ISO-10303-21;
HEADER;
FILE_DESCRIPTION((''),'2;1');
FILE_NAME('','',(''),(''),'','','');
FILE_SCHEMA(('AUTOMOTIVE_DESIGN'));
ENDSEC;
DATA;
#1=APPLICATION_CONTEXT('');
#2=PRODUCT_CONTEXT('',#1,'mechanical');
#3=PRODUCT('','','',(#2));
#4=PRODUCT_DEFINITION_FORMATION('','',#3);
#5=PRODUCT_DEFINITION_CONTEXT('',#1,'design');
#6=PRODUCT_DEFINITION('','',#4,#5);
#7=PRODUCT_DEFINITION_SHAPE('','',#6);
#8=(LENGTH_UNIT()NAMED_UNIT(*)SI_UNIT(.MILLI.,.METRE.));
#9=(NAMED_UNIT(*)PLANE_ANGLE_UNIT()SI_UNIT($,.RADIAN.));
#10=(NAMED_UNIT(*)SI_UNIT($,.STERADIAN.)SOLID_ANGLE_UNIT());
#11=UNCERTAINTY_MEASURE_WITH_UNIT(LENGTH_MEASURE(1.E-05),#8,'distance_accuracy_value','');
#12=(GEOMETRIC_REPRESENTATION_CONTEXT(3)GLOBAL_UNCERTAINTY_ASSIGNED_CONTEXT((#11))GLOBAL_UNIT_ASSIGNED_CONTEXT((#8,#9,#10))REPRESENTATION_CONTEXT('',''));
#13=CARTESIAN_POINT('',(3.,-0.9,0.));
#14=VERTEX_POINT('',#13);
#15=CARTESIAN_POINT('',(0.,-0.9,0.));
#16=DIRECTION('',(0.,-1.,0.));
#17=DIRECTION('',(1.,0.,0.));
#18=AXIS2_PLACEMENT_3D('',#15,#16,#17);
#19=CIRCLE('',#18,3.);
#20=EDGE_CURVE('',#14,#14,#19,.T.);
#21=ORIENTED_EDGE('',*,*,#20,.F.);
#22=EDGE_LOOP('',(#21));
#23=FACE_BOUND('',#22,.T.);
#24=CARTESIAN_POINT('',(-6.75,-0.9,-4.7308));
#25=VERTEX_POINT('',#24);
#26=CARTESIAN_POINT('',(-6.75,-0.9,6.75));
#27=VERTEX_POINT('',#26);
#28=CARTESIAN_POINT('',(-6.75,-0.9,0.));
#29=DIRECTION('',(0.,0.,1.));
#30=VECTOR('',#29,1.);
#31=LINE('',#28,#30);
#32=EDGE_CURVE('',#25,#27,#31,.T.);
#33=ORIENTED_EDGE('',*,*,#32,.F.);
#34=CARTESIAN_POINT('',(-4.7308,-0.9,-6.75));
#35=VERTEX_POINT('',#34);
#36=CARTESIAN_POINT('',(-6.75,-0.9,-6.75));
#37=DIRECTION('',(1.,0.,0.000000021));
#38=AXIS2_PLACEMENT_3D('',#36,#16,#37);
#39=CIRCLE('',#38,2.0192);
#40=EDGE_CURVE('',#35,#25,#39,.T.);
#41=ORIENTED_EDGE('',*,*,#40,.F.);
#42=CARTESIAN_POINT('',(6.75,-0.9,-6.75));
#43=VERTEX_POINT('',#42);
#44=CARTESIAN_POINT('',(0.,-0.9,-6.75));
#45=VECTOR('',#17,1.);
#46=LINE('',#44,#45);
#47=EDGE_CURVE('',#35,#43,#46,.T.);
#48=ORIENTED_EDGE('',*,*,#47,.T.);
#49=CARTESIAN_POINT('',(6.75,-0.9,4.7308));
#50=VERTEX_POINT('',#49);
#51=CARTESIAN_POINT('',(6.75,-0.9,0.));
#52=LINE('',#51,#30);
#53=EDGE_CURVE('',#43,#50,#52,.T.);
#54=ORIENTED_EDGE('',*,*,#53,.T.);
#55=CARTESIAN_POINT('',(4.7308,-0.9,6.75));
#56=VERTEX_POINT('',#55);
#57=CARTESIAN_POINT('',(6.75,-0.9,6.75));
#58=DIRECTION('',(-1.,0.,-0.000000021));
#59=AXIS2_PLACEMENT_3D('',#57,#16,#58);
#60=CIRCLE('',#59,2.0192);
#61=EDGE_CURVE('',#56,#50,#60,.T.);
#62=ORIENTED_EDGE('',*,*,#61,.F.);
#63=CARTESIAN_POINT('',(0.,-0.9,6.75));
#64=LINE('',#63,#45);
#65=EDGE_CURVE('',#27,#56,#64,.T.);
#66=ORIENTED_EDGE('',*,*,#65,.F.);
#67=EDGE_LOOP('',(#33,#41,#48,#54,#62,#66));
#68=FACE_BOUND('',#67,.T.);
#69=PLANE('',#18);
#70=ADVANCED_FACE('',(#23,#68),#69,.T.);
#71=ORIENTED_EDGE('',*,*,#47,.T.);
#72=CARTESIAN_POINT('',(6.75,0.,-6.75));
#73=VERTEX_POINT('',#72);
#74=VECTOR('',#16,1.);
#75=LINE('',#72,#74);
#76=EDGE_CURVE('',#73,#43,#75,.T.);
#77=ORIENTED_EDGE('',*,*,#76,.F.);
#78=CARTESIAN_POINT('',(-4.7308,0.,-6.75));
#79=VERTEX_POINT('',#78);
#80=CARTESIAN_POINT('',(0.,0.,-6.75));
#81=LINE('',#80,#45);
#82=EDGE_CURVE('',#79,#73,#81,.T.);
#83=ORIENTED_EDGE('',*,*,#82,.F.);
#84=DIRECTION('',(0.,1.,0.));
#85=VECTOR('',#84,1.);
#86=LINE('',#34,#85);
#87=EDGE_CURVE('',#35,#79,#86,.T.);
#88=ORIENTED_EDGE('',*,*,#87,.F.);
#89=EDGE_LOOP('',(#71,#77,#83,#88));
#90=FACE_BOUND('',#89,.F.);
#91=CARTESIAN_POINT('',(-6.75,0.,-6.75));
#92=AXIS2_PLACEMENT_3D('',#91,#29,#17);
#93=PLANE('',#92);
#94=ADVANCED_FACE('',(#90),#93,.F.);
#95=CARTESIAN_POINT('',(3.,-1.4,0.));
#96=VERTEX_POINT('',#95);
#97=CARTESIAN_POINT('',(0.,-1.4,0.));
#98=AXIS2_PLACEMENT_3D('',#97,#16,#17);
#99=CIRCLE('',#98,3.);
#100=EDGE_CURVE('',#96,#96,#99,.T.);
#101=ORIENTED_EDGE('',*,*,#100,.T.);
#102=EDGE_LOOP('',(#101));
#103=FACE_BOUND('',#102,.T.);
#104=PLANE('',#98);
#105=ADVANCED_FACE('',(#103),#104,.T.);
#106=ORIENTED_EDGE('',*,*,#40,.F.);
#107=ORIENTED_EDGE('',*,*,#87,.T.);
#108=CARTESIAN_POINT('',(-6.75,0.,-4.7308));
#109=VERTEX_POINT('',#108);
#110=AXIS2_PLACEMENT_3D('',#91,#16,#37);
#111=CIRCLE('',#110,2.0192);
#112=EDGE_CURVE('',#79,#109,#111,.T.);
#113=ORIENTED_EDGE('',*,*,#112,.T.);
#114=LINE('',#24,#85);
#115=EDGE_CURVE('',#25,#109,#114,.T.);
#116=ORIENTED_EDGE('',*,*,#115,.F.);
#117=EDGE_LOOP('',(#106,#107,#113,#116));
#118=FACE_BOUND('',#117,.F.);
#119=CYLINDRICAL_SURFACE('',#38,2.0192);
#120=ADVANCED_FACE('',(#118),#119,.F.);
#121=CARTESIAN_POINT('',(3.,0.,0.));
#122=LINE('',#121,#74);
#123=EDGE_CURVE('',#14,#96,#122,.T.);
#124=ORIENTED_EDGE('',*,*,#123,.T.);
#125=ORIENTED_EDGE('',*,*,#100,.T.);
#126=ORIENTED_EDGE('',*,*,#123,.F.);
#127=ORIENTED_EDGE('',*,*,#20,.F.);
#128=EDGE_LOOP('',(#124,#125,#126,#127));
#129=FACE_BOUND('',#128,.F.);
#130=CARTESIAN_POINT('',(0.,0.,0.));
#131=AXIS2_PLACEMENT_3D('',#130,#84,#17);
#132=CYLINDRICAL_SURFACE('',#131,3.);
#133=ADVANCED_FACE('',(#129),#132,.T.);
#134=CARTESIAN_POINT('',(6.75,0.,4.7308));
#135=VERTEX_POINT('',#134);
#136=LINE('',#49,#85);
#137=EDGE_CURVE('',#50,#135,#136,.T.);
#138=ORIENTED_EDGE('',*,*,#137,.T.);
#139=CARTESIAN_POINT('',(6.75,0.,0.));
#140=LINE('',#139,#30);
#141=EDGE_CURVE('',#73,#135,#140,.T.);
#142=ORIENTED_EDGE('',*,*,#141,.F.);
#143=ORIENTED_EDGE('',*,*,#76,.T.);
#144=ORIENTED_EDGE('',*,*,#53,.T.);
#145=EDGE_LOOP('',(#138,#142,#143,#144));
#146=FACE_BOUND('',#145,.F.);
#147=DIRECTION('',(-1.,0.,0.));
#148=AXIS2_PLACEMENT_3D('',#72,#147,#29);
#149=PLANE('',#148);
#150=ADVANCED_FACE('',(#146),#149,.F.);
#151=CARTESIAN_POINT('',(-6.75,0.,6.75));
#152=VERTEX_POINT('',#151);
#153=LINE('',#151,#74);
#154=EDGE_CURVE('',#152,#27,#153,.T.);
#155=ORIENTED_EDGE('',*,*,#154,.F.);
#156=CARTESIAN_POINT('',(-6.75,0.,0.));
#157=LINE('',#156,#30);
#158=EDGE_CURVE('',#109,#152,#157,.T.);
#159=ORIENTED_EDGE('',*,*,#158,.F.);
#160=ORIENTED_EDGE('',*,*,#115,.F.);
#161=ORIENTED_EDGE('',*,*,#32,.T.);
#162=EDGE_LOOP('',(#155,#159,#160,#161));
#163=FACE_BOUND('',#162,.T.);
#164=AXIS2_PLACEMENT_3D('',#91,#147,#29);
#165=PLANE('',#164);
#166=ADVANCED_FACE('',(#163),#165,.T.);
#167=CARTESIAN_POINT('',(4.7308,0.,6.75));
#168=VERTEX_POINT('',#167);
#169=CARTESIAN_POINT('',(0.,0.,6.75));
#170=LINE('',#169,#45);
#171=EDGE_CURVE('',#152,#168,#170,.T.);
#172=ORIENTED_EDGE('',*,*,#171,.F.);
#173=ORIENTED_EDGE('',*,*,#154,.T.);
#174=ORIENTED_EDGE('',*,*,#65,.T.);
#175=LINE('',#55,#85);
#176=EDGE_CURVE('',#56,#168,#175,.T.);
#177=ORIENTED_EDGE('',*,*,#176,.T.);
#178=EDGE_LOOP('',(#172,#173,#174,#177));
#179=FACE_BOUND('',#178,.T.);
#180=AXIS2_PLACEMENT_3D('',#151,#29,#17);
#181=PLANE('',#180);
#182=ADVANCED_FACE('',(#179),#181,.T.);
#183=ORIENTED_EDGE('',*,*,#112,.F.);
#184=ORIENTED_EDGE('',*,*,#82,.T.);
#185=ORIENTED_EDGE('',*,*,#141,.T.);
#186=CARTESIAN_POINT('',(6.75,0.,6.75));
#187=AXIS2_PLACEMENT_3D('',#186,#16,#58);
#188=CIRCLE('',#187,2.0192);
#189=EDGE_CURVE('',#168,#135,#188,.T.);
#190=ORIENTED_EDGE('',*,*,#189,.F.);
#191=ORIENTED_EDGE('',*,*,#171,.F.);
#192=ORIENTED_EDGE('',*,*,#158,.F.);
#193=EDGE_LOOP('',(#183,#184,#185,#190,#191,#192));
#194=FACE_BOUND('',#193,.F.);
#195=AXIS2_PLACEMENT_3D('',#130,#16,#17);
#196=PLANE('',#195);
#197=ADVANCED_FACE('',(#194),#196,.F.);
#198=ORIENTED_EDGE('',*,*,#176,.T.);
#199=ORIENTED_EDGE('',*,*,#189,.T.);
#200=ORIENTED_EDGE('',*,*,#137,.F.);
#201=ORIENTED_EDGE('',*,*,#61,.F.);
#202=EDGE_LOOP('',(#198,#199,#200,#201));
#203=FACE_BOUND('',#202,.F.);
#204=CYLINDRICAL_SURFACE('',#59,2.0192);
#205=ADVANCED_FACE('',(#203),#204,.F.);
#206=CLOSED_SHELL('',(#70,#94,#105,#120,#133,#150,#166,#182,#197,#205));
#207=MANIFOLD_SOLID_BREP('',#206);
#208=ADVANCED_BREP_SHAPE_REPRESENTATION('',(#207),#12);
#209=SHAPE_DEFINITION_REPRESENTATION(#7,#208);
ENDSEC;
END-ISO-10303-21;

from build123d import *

# Parameters (mm, degrees)
F0_R     = 3
F1_DEPTH = 1.4
F0_W     = 13.5
F0_H     = 13.5
F2_DEPTH = 0.9
F4_DEPTH = 25


with BuildPart() as f1:
    # F0 (on Front) → F1 (new body)
    with BuildSketch(Plane.XZ):
        Circle(F0_R)
    extrude(amount=F1_DEPTH)

    # F0 (on Front) → F2 (join)
    with BuildSketch(Plane.XZ):
        Rectangle(F0_W, F0_H)
        Circle(F0_R, mode=Mode.SUBTRACT)
    extrude(amount=F2_DEPTH)

    # F3 (on face) → F4 (cut)
    with BuildSketch(Plane.XZ.offset(0.9)):
        with BuildLine():
            Line((6.75, 6.75), (4.7308, 6.75))
            ThreePointArc((4.7308, 6.75), (5.32221, 5.32221), (6.75, 4.7308))
            Line((6.75, 4.7308), (6.75, 6.75))
        make_face()
        with BuildLine():
            ThreePointArc((6.75, 4.7308), (8.17779, 5.32221), (8.7692, 6.75))
            ThreePointArc((8.7692, 6.75), (6.75, 8.7692), (4.7308, 6.75))
            Line((4.7308, 6.75), (6.75, 6.75))
            Line((6.75, 6.75), (6.75, 4.7308))
        make_face()
        with BuildLine():
            Line((-6.75, -6.75), (-6.75, -4.7308))
            ThreePointArc((-6.75, -4.7308), (-8.17779, -8.17779), (-4.7308, -6.75))
            Line((-4.7308, -6.75), (-6.75, -6.75))
        make_face()
        with BuildLine():
            ThreePointArc((-4.7308, -6.75), (-5.32221, -5.32221), (-6.75, -4.7308))
            Line((-6.75, -4.7308), (-6.75, -6.75))
            Line((-6.75, -6.75), (-4.7308, -6.75))
        make_face()
    extrude(amount=-F4_DEPTH, mode=Mode.SUBTRACT)


solid = f1.part
